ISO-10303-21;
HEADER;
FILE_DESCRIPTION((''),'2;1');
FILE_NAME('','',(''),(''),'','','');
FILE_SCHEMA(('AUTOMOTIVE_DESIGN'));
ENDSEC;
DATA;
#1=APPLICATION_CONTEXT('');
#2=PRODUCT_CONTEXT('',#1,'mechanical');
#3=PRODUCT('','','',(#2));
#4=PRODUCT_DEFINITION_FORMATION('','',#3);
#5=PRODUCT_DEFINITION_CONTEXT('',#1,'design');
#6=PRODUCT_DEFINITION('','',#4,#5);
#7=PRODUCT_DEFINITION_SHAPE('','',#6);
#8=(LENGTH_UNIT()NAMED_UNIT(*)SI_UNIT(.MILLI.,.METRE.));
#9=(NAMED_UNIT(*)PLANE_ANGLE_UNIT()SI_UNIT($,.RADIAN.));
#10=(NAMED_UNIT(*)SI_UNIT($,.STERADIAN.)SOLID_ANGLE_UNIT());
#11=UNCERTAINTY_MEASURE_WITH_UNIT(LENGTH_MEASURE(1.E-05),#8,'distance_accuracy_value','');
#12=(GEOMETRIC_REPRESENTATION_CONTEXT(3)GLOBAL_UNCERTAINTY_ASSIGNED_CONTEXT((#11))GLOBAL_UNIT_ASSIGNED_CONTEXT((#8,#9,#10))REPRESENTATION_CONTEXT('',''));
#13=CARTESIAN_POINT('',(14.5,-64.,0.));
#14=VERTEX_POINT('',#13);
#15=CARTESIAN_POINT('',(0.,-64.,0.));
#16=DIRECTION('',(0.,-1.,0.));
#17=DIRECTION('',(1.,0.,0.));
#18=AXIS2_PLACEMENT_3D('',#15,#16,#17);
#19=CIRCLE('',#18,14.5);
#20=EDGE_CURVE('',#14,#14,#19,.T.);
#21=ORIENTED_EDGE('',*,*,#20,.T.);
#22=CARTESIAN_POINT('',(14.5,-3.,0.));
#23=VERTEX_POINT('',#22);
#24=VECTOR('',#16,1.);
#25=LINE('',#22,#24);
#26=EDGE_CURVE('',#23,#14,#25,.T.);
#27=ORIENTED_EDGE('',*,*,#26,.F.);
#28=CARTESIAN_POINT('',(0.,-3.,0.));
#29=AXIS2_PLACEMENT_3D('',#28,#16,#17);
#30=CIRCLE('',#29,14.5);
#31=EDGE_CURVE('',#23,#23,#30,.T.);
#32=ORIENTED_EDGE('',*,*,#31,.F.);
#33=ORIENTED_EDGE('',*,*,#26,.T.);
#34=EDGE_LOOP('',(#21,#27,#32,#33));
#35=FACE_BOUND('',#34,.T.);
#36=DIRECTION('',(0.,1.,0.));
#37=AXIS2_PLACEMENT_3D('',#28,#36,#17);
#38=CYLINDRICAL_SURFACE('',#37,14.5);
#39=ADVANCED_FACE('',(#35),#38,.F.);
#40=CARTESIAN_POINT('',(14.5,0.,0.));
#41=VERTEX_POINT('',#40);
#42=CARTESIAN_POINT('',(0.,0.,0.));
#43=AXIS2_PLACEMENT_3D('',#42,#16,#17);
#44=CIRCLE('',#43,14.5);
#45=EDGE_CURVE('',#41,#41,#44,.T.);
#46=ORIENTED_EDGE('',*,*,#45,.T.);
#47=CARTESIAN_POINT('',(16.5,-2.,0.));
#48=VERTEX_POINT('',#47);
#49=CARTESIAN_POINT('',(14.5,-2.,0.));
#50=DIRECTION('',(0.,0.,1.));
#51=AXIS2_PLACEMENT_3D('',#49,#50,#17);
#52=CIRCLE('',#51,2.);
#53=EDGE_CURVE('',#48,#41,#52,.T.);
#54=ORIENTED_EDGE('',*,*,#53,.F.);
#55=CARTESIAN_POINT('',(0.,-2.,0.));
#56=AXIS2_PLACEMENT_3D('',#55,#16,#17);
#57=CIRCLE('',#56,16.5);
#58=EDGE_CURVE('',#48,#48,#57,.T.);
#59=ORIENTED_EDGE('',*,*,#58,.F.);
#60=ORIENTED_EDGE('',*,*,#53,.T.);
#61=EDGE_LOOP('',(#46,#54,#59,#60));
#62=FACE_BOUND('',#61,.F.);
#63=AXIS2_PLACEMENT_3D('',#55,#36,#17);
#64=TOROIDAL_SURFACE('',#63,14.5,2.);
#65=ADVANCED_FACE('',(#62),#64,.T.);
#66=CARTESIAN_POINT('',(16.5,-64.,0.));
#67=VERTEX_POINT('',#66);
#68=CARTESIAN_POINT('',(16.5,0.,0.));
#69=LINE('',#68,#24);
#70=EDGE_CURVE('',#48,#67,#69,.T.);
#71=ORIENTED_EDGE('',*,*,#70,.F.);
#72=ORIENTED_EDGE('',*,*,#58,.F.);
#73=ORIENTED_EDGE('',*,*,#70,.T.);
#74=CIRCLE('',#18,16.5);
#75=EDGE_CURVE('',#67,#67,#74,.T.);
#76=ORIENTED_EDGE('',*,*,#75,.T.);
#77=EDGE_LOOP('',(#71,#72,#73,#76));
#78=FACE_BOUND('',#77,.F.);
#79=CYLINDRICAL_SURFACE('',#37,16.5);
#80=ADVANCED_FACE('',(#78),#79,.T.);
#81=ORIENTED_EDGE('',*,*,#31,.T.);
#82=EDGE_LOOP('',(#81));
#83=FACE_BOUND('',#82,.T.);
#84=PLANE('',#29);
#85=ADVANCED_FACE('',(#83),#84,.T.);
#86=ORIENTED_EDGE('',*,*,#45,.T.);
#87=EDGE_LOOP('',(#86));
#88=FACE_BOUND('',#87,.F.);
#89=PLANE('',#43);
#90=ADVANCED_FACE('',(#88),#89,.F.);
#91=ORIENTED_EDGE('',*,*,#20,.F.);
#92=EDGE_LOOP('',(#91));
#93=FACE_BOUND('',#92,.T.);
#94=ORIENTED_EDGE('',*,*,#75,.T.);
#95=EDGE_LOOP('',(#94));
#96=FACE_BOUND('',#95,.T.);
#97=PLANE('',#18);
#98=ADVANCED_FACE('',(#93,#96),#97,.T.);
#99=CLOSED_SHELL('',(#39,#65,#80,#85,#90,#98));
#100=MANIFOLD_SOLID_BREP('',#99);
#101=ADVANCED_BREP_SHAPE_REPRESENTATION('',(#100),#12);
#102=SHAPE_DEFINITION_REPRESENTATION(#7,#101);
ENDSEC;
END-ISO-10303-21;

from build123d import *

# Parameters (mm, degrees)
F0_R     = 16.5
F1_DEPTH = 3
F2_R     = 16.5
F2_R_2   = 14.5
F3_DEPTH = 61
F4_R     = 2


with BuildPart() as f1:
    # F0 (on Front) → F1 (new body)
    with BuildSketch(Plane.XZ):
        Circle(F0_R)
    extrude(amount=F1_DEPTH)

    # F2 (on face) → F3 (join)
    with BuildSketch(Plane.XZ.offset(3)):
        Circle(F2_R)
        Circle(F2_R_2, mode=Mode.SUBTRACT)
    extrude(amount=F3_DEPTH)

    # F4
    f4_edges = [f1.edges().sort_by_distance(p)[0] for p in [
        (-16.5, 0, 0),
    ]]
    fillet(f4_edges, radius=F4_R)


solid = f1.part
